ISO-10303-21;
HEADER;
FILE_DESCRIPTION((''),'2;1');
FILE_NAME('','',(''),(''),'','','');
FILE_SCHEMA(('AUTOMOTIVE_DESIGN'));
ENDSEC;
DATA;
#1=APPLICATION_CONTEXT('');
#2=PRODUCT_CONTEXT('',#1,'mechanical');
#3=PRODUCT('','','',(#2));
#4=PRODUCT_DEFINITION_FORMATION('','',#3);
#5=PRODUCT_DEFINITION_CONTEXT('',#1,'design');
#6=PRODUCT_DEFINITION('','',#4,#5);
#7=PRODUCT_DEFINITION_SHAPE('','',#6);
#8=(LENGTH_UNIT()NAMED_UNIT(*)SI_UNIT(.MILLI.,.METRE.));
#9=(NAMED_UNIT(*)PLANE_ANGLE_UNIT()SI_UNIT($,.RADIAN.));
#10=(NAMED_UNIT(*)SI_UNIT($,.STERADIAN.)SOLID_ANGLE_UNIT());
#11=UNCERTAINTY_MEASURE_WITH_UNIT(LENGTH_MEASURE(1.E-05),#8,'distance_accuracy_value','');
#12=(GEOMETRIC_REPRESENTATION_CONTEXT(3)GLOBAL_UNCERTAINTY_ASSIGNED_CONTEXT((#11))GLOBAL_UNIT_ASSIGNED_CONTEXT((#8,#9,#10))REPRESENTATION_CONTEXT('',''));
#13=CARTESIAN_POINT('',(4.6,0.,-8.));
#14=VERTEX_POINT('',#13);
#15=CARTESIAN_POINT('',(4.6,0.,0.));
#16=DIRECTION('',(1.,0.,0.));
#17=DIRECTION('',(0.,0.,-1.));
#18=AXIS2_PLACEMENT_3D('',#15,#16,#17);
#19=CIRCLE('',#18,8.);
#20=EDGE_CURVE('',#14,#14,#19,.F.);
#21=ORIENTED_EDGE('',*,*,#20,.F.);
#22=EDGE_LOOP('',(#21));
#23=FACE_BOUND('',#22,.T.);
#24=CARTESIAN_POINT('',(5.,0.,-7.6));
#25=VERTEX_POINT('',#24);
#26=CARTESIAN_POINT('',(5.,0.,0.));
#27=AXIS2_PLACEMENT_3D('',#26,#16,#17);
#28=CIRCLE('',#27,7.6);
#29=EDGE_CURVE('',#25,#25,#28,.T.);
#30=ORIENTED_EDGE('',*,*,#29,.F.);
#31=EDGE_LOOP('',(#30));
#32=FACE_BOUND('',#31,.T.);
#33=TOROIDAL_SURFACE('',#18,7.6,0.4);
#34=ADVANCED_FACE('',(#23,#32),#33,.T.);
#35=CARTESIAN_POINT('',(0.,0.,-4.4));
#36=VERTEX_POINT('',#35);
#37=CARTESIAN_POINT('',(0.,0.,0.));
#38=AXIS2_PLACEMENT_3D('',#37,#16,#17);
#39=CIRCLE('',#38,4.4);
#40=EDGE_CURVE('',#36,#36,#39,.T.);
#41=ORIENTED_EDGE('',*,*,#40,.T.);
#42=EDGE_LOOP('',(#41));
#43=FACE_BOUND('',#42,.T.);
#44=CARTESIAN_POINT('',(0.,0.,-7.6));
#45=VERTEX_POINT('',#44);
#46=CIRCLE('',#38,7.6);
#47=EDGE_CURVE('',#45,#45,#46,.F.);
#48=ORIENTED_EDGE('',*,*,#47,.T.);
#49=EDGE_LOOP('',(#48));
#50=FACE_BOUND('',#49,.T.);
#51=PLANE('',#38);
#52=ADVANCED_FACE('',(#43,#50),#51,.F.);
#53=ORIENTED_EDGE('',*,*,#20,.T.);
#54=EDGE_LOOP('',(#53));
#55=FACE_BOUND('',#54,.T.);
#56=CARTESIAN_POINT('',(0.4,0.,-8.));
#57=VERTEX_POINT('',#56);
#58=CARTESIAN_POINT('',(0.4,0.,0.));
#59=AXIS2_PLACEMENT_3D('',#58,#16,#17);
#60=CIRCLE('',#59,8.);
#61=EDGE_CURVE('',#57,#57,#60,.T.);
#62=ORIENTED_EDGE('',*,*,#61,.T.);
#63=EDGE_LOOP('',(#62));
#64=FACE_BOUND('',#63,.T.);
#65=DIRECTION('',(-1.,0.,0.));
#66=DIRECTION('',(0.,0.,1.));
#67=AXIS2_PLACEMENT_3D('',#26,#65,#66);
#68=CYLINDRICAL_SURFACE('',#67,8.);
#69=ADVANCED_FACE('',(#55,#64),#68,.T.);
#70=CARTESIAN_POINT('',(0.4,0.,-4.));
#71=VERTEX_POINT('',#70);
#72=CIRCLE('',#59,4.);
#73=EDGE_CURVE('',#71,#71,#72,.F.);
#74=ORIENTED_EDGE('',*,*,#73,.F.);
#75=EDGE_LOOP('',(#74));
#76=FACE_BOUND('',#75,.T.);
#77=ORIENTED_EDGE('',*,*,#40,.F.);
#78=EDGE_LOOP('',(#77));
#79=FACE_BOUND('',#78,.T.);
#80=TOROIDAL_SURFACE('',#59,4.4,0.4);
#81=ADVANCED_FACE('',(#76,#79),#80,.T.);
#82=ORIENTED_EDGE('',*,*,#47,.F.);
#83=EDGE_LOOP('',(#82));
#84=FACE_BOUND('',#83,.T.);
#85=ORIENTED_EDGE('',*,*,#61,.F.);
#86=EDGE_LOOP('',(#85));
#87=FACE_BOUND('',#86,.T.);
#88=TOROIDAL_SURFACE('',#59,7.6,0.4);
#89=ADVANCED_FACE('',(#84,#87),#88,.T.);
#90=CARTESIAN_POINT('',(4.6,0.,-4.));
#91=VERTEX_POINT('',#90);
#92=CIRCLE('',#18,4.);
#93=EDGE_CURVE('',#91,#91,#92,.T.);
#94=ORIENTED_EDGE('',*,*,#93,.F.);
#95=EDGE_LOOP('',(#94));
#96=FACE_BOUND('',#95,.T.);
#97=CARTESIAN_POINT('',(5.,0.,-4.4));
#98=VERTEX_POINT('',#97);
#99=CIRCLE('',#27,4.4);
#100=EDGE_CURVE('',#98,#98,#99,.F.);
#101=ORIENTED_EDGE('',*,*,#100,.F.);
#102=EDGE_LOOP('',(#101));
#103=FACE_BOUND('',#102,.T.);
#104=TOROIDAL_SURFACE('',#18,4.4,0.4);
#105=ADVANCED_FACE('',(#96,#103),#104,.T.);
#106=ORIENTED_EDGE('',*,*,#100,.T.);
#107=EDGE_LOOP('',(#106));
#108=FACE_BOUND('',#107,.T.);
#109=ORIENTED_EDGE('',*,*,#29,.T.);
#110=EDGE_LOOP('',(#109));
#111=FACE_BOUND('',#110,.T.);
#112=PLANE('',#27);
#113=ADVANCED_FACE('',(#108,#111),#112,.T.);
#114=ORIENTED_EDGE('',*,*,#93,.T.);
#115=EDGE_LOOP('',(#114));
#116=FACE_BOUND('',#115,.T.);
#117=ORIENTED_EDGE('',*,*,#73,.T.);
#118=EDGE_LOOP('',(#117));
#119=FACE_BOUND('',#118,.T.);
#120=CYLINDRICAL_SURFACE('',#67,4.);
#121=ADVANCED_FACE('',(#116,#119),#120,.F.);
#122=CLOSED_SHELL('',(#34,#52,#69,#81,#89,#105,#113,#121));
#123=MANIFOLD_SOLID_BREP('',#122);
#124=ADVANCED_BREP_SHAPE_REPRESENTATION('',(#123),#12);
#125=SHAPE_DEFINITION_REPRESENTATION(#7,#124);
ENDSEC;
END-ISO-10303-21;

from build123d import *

# Parameters (mm, degrees)
CROQUIS1_R              = 8
CROQUIS1_R_2            = 4
SALIENTE_EXTRUIR1_DEPTH = 5
REDONDEO1_R             = 0.4


with BuildPart() as part:
    # Croquis1 → Saliente-Extruir1 (new body)
    with BuildSketch(Plane(origin=(0, 0, 0), x_dir=(0, 0, -1), z_dir=(1, 0, 0))):
        Circle(CROQUIS1_R)
        Circle(CROQUIS1_R_2, mode=Mode.SUBTRACT)
    extrude(amount=SALIENTE_EXTRUIR1_DEPTH)

    # Redondeo1
    redondeo1_edges = [part.edges().sort_by_distance(p)[0] for p in [
        (0, 0, 8),
        (5, 0, 8),
        (0, 0, 4),
        (5, 0, 4),
    ]]
    fillet(redondeo1_edges, radius=REDONDEO1_R)


solid = part.part
